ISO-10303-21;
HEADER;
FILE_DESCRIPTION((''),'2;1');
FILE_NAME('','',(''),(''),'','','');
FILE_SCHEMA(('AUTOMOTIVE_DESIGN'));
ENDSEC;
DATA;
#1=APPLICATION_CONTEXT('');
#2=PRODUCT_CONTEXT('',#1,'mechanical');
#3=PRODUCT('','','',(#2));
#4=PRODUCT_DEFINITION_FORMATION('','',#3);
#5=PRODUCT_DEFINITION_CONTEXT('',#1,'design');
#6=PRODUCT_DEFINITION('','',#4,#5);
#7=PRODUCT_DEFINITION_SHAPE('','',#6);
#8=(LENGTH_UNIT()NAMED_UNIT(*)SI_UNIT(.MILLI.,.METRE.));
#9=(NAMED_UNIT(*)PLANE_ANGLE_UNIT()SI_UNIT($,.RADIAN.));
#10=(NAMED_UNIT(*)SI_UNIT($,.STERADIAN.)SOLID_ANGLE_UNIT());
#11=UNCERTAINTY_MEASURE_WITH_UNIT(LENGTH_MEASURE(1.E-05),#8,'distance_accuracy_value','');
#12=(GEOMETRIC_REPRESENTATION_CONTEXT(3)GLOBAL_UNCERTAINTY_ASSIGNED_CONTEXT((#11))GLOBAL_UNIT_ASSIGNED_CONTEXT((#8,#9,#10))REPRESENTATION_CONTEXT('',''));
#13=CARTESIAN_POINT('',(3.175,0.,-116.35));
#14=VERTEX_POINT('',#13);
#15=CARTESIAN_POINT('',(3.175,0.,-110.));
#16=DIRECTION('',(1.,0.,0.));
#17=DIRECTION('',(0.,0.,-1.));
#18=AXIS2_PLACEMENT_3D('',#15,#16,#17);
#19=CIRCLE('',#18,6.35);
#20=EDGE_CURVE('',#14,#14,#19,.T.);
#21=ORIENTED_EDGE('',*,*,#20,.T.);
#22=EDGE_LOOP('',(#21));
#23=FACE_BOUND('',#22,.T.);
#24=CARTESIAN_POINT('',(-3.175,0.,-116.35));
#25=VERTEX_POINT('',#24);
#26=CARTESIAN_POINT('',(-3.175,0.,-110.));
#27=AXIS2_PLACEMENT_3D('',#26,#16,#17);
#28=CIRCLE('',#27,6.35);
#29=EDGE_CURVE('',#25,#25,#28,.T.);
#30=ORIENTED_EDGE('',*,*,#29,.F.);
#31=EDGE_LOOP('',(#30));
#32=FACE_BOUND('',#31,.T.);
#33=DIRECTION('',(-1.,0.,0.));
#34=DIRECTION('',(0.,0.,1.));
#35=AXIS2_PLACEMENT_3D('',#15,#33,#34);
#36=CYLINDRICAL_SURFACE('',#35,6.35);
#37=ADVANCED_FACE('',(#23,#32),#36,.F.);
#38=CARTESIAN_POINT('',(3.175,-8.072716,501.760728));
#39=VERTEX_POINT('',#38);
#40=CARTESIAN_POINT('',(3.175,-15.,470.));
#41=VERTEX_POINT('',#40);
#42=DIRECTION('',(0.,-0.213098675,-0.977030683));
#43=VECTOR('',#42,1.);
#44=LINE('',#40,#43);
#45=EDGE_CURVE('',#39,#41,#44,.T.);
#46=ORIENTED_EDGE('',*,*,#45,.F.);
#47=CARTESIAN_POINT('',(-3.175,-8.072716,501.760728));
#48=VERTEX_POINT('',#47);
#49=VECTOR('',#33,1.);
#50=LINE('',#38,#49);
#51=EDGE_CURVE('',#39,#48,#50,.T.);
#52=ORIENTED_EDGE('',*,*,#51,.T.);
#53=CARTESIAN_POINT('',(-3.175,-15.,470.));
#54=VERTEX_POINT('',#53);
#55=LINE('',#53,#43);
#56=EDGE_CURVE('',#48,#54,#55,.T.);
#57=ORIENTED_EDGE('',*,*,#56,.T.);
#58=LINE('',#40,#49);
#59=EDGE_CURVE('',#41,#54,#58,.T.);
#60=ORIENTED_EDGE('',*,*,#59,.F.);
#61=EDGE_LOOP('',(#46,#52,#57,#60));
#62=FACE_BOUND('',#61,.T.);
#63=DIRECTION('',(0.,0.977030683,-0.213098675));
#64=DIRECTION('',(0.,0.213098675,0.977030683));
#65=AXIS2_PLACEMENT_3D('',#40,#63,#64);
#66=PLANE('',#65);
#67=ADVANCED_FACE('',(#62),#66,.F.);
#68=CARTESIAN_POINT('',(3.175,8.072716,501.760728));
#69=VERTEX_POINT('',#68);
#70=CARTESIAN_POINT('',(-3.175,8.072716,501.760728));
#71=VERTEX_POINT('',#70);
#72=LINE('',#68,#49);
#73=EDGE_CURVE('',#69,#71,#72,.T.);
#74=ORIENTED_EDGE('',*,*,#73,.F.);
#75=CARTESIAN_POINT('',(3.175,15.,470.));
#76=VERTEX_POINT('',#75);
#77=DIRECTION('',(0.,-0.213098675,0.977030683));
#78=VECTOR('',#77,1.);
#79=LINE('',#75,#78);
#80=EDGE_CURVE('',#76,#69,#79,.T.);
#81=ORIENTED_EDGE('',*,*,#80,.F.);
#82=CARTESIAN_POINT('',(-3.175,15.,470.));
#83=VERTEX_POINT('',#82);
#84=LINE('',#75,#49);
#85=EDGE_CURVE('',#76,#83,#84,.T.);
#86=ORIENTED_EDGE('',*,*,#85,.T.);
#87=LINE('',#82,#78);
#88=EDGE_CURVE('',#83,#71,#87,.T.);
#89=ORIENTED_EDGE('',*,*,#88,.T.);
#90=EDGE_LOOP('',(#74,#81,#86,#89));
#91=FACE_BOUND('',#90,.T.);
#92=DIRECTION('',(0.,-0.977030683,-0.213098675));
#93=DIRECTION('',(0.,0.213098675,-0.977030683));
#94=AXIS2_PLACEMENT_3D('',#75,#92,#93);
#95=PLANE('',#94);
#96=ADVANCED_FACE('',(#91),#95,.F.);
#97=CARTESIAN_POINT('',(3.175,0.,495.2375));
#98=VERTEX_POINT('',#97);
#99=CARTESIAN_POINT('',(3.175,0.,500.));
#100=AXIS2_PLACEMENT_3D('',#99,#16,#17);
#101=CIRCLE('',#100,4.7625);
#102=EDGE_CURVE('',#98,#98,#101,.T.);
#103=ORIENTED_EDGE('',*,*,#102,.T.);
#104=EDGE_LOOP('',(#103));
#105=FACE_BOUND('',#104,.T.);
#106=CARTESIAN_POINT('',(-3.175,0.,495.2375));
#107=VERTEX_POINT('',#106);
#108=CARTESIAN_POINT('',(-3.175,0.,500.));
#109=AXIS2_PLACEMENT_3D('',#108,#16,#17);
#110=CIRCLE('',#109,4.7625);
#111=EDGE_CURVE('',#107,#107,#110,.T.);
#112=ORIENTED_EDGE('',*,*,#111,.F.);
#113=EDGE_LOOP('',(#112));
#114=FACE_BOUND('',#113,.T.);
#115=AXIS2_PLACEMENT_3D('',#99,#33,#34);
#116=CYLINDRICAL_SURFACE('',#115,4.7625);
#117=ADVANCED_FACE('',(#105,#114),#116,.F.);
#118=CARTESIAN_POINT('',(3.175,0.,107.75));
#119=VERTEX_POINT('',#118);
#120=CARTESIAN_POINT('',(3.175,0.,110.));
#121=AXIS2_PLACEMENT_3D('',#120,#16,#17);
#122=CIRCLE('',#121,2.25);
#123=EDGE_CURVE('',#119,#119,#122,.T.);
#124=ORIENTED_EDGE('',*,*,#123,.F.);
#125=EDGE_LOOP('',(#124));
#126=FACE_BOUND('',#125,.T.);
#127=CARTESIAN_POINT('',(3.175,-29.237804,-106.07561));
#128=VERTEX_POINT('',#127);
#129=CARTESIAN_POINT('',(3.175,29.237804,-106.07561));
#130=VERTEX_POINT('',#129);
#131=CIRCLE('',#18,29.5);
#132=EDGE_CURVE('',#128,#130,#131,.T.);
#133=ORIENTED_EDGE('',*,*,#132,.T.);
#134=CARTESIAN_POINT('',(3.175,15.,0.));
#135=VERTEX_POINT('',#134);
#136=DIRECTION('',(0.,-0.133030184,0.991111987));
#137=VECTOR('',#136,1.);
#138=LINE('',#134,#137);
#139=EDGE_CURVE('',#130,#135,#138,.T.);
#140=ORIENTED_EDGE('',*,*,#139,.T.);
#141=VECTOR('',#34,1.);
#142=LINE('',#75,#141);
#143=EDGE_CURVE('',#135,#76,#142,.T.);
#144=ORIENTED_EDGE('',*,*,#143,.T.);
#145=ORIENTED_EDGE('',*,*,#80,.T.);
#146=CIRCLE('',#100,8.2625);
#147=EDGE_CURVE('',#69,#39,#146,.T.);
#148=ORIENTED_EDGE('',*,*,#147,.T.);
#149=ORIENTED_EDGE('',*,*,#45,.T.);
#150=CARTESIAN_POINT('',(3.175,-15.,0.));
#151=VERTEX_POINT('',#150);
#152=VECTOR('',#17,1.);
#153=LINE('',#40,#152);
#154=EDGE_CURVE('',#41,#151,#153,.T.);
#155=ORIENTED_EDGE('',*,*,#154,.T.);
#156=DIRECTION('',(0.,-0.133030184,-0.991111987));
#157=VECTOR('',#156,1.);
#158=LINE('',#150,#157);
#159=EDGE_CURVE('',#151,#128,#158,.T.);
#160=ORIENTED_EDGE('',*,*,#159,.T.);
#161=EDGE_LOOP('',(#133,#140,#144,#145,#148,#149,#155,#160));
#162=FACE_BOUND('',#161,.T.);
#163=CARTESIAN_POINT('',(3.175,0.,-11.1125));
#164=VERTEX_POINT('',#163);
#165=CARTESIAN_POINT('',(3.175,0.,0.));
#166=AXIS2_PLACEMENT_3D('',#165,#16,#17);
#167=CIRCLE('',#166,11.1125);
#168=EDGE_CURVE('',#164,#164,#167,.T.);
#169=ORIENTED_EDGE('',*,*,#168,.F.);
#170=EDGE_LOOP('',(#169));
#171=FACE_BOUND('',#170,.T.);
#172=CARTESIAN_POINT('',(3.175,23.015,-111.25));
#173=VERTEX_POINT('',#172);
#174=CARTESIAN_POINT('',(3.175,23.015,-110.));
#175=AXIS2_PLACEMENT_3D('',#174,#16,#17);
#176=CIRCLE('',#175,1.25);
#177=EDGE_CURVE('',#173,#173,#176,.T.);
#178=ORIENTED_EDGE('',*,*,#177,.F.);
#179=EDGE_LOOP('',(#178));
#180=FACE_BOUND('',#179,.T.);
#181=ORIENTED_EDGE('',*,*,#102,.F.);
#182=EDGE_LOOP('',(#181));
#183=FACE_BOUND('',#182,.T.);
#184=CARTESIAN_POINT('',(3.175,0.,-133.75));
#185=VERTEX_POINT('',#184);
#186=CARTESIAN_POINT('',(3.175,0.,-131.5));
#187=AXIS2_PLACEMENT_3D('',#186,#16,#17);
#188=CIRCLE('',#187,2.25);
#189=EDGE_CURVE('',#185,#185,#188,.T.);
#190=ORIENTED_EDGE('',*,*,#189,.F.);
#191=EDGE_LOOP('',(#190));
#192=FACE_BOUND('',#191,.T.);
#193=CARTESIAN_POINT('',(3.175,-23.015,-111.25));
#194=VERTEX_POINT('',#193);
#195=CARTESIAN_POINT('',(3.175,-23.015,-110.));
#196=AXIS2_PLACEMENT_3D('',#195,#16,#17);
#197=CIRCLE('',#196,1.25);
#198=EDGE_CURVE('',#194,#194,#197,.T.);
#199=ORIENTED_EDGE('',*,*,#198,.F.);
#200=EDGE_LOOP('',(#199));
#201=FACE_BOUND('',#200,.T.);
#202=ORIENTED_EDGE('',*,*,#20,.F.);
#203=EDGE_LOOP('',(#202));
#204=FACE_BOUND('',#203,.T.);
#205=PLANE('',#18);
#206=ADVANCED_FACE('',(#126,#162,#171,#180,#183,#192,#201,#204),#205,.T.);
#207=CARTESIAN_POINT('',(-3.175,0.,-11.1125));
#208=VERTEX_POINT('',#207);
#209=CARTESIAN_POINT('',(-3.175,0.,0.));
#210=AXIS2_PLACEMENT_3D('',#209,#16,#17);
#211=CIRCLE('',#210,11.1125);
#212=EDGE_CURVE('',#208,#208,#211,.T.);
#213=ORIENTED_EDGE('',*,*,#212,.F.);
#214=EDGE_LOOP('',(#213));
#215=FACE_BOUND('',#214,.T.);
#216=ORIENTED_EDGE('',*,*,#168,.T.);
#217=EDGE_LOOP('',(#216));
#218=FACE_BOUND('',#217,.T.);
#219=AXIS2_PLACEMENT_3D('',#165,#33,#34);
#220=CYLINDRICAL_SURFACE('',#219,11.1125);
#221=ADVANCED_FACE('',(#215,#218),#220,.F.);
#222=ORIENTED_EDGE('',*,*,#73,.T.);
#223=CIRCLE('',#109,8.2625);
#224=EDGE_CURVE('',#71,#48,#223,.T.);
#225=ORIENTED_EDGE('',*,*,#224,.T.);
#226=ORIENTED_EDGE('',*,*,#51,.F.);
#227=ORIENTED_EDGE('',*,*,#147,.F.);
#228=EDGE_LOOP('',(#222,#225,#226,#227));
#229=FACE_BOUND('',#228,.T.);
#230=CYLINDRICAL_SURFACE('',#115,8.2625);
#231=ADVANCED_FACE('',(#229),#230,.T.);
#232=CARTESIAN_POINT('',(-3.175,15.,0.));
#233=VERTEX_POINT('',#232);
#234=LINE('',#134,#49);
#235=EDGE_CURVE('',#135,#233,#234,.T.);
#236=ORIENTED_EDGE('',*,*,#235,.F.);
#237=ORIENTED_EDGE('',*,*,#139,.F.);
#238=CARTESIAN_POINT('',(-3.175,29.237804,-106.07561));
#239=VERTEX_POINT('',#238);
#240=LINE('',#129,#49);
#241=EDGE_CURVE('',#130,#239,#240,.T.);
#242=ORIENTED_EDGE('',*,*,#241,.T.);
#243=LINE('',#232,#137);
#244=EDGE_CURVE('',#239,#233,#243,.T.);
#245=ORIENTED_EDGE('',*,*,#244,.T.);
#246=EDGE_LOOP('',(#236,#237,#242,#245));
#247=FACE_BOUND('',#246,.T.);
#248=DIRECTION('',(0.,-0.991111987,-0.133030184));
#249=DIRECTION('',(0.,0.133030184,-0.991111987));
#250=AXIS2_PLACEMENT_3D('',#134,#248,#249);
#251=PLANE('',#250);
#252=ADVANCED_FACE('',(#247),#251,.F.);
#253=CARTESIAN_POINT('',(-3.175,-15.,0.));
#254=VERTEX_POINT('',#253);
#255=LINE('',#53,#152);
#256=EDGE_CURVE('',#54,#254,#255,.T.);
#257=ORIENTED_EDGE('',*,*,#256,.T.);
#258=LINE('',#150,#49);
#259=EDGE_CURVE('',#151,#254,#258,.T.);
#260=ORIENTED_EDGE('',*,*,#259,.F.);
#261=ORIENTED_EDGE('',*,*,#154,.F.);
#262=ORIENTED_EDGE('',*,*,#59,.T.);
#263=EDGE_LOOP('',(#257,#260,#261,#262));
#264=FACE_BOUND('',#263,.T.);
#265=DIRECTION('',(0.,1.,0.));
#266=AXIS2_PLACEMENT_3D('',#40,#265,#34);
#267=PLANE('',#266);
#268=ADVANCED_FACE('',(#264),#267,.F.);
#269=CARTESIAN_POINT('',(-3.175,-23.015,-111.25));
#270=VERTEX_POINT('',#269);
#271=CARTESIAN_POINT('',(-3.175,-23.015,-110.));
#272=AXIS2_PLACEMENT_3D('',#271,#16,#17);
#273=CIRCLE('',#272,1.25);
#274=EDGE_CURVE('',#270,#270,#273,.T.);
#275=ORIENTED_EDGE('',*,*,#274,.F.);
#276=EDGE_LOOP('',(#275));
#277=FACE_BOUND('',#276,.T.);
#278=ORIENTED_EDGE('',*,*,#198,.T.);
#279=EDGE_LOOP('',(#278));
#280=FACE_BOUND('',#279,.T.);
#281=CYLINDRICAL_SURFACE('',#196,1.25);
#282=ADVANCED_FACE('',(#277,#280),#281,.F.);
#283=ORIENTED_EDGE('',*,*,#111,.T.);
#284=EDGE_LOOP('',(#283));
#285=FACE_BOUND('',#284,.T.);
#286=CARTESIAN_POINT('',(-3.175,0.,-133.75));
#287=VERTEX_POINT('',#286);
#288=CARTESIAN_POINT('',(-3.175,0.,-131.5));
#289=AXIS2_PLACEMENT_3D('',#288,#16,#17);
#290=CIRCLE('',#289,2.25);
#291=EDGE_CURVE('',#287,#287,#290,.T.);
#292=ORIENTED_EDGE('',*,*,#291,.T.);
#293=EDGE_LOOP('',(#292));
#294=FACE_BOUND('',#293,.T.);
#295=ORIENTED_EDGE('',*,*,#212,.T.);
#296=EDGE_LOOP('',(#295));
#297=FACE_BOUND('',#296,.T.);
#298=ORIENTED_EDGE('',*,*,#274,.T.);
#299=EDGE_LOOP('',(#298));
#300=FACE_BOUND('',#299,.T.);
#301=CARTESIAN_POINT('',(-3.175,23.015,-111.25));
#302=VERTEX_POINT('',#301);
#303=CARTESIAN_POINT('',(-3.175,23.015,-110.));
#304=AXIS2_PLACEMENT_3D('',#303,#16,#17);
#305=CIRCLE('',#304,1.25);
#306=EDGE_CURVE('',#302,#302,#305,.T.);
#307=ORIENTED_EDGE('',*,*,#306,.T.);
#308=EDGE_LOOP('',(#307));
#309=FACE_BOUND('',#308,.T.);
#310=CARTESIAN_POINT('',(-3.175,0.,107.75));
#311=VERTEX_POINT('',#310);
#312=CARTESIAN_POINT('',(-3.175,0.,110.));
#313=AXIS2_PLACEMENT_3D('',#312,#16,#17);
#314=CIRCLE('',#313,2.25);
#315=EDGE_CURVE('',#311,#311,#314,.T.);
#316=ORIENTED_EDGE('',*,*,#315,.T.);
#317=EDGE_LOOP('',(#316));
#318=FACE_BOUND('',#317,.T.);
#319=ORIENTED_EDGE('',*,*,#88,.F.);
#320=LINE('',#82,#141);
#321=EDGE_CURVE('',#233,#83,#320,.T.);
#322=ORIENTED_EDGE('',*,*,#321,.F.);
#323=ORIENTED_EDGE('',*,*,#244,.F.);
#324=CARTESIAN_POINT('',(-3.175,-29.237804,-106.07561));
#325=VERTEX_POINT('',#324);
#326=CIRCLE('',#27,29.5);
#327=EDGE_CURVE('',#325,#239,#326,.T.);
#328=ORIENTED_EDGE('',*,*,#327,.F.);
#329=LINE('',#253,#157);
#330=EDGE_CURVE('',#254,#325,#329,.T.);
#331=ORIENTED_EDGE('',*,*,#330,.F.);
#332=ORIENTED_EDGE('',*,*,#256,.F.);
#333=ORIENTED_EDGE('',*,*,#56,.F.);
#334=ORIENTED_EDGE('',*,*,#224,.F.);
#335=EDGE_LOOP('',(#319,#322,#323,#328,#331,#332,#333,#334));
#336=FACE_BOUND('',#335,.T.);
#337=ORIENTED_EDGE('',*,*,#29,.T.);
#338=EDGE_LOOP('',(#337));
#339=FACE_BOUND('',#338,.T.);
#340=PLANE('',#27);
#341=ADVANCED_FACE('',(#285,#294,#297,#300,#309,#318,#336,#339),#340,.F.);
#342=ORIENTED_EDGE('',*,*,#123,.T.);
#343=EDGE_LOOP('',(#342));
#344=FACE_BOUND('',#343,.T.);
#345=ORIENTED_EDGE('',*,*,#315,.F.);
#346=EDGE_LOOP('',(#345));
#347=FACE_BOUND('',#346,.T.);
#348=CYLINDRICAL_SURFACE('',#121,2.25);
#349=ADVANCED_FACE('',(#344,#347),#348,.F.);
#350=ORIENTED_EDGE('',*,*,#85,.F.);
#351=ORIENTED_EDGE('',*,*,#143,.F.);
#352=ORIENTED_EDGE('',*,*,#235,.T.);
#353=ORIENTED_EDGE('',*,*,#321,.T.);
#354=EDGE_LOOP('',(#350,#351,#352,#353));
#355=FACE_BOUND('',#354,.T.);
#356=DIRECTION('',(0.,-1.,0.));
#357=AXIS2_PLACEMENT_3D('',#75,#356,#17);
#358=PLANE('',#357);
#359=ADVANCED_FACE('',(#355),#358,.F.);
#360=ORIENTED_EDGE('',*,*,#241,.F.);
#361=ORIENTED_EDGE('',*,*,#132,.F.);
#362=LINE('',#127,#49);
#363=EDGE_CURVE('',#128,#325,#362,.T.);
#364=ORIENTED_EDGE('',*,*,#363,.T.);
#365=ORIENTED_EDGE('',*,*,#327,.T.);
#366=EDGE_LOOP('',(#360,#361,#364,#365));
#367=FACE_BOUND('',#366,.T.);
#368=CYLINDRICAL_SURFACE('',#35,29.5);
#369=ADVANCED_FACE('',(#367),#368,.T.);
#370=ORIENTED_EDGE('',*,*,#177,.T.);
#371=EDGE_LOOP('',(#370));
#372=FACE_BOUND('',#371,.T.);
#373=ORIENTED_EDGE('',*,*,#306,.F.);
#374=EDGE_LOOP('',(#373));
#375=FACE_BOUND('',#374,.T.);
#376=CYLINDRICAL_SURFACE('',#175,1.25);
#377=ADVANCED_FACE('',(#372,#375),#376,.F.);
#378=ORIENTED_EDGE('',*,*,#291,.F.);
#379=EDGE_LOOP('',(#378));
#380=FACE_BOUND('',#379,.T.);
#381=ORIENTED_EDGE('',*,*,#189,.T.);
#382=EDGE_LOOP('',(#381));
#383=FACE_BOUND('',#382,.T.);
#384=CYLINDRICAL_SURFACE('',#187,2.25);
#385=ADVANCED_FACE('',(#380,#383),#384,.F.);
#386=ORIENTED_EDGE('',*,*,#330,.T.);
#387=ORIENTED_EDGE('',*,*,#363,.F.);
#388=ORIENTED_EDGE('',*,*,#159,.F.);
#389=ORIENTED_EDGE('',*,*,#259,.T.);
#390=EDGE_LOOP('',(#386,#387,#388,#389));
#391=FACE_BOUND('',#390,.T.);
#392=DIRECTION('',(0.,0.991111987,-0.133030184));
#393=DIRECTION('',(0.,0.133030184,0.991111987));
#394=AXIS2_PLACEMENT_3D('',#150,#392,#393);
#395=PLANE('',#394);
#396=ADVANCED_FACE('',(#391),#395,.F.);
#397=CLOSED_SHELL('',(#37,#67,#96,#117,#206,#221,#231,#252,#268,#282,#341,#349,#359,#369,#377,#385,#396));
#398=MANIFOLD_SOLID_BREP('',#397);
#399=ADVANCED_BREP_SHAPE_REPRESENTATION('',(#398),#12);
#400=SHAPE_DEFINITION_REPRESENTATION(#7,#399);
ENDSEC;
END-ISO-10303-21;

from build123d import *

# Parameters (mm, degrees)
SKETCH1_R             = 6.35
SKETCH1_R_2           = 11.1125
SKETCH1_R_3           = 4.7625
BOSS_EXTRUDE1_DEPTH   = 3.175
M3X0_5_TAPPED_HOLE1_D = 2.5
M4_CLEARANCE_HOLE1_D  = 4.5


with BuildPart() as part:
    # Sketch1 → Boss-Extrude1 (new, symmetric)
    with BuildSketch(Plane(origin=(0, 0, 0), x_dir=(0, 0, -1), z_dir=(1, 0, 0))):
        with BuildLine():
            Line((-470, 15), (-501.760727799, 8.072716015))
            ThreePointArc((-501.760727799, 8.072716015), (-508.2625, 0), (-501.760727799, -8.072716015))
            Line((-501.760727799, -8.072716015), (-470, -15))
            Line((-470, -15), (0, -15))
            Line((0, -15), (106.075609583, -29.237803609))
            ThreePointArc((106.075609583, -29.237803609), (139.5, 0), (106.075609583, 29.237803609))
            Line((106.075609583, 29.237803609), (0, 15))
            Line((0, 15), (-470, 15))
        make_face()
        with Locations((110, 0)):
            Circle(SKETCH1_R, mode=Mode.SUBTRACT)
        Circle(SKETCH1_R_2, mode=Mode.SUBTRACT)
        with Locations((-500, 0)):
            Circle(SKETCH1_R_3, mode=Mode.SUBTRACT)
    extrude(amount=BOSS_EXTRUDE1_DEPTH, both=True)

    # M3x0.5 Tapped Hole1 (through all)
    with Locations(Plane(origin=(3.175, 0, 0), x_dir=(0, 0, -1), z_dir=(1, 0, 0))):
        with Locations((110, 23.015), (110, 0), (110, -23.015)):
            Hole(M3X0_5_TAPPED_HOLE1_D / 2)

    # M4 Clearance Hole1 (through all)
    with Locations(Plane(origin=(3.175, 0, 0), x_dir=(0, 0, -1), z_dir=(1, 0, 0))):
        with Locations((131.5, 0), (-110, 0)):
            Hole(M4_CLEARANCE_HOLE1_D / 2)


solid = part.part
